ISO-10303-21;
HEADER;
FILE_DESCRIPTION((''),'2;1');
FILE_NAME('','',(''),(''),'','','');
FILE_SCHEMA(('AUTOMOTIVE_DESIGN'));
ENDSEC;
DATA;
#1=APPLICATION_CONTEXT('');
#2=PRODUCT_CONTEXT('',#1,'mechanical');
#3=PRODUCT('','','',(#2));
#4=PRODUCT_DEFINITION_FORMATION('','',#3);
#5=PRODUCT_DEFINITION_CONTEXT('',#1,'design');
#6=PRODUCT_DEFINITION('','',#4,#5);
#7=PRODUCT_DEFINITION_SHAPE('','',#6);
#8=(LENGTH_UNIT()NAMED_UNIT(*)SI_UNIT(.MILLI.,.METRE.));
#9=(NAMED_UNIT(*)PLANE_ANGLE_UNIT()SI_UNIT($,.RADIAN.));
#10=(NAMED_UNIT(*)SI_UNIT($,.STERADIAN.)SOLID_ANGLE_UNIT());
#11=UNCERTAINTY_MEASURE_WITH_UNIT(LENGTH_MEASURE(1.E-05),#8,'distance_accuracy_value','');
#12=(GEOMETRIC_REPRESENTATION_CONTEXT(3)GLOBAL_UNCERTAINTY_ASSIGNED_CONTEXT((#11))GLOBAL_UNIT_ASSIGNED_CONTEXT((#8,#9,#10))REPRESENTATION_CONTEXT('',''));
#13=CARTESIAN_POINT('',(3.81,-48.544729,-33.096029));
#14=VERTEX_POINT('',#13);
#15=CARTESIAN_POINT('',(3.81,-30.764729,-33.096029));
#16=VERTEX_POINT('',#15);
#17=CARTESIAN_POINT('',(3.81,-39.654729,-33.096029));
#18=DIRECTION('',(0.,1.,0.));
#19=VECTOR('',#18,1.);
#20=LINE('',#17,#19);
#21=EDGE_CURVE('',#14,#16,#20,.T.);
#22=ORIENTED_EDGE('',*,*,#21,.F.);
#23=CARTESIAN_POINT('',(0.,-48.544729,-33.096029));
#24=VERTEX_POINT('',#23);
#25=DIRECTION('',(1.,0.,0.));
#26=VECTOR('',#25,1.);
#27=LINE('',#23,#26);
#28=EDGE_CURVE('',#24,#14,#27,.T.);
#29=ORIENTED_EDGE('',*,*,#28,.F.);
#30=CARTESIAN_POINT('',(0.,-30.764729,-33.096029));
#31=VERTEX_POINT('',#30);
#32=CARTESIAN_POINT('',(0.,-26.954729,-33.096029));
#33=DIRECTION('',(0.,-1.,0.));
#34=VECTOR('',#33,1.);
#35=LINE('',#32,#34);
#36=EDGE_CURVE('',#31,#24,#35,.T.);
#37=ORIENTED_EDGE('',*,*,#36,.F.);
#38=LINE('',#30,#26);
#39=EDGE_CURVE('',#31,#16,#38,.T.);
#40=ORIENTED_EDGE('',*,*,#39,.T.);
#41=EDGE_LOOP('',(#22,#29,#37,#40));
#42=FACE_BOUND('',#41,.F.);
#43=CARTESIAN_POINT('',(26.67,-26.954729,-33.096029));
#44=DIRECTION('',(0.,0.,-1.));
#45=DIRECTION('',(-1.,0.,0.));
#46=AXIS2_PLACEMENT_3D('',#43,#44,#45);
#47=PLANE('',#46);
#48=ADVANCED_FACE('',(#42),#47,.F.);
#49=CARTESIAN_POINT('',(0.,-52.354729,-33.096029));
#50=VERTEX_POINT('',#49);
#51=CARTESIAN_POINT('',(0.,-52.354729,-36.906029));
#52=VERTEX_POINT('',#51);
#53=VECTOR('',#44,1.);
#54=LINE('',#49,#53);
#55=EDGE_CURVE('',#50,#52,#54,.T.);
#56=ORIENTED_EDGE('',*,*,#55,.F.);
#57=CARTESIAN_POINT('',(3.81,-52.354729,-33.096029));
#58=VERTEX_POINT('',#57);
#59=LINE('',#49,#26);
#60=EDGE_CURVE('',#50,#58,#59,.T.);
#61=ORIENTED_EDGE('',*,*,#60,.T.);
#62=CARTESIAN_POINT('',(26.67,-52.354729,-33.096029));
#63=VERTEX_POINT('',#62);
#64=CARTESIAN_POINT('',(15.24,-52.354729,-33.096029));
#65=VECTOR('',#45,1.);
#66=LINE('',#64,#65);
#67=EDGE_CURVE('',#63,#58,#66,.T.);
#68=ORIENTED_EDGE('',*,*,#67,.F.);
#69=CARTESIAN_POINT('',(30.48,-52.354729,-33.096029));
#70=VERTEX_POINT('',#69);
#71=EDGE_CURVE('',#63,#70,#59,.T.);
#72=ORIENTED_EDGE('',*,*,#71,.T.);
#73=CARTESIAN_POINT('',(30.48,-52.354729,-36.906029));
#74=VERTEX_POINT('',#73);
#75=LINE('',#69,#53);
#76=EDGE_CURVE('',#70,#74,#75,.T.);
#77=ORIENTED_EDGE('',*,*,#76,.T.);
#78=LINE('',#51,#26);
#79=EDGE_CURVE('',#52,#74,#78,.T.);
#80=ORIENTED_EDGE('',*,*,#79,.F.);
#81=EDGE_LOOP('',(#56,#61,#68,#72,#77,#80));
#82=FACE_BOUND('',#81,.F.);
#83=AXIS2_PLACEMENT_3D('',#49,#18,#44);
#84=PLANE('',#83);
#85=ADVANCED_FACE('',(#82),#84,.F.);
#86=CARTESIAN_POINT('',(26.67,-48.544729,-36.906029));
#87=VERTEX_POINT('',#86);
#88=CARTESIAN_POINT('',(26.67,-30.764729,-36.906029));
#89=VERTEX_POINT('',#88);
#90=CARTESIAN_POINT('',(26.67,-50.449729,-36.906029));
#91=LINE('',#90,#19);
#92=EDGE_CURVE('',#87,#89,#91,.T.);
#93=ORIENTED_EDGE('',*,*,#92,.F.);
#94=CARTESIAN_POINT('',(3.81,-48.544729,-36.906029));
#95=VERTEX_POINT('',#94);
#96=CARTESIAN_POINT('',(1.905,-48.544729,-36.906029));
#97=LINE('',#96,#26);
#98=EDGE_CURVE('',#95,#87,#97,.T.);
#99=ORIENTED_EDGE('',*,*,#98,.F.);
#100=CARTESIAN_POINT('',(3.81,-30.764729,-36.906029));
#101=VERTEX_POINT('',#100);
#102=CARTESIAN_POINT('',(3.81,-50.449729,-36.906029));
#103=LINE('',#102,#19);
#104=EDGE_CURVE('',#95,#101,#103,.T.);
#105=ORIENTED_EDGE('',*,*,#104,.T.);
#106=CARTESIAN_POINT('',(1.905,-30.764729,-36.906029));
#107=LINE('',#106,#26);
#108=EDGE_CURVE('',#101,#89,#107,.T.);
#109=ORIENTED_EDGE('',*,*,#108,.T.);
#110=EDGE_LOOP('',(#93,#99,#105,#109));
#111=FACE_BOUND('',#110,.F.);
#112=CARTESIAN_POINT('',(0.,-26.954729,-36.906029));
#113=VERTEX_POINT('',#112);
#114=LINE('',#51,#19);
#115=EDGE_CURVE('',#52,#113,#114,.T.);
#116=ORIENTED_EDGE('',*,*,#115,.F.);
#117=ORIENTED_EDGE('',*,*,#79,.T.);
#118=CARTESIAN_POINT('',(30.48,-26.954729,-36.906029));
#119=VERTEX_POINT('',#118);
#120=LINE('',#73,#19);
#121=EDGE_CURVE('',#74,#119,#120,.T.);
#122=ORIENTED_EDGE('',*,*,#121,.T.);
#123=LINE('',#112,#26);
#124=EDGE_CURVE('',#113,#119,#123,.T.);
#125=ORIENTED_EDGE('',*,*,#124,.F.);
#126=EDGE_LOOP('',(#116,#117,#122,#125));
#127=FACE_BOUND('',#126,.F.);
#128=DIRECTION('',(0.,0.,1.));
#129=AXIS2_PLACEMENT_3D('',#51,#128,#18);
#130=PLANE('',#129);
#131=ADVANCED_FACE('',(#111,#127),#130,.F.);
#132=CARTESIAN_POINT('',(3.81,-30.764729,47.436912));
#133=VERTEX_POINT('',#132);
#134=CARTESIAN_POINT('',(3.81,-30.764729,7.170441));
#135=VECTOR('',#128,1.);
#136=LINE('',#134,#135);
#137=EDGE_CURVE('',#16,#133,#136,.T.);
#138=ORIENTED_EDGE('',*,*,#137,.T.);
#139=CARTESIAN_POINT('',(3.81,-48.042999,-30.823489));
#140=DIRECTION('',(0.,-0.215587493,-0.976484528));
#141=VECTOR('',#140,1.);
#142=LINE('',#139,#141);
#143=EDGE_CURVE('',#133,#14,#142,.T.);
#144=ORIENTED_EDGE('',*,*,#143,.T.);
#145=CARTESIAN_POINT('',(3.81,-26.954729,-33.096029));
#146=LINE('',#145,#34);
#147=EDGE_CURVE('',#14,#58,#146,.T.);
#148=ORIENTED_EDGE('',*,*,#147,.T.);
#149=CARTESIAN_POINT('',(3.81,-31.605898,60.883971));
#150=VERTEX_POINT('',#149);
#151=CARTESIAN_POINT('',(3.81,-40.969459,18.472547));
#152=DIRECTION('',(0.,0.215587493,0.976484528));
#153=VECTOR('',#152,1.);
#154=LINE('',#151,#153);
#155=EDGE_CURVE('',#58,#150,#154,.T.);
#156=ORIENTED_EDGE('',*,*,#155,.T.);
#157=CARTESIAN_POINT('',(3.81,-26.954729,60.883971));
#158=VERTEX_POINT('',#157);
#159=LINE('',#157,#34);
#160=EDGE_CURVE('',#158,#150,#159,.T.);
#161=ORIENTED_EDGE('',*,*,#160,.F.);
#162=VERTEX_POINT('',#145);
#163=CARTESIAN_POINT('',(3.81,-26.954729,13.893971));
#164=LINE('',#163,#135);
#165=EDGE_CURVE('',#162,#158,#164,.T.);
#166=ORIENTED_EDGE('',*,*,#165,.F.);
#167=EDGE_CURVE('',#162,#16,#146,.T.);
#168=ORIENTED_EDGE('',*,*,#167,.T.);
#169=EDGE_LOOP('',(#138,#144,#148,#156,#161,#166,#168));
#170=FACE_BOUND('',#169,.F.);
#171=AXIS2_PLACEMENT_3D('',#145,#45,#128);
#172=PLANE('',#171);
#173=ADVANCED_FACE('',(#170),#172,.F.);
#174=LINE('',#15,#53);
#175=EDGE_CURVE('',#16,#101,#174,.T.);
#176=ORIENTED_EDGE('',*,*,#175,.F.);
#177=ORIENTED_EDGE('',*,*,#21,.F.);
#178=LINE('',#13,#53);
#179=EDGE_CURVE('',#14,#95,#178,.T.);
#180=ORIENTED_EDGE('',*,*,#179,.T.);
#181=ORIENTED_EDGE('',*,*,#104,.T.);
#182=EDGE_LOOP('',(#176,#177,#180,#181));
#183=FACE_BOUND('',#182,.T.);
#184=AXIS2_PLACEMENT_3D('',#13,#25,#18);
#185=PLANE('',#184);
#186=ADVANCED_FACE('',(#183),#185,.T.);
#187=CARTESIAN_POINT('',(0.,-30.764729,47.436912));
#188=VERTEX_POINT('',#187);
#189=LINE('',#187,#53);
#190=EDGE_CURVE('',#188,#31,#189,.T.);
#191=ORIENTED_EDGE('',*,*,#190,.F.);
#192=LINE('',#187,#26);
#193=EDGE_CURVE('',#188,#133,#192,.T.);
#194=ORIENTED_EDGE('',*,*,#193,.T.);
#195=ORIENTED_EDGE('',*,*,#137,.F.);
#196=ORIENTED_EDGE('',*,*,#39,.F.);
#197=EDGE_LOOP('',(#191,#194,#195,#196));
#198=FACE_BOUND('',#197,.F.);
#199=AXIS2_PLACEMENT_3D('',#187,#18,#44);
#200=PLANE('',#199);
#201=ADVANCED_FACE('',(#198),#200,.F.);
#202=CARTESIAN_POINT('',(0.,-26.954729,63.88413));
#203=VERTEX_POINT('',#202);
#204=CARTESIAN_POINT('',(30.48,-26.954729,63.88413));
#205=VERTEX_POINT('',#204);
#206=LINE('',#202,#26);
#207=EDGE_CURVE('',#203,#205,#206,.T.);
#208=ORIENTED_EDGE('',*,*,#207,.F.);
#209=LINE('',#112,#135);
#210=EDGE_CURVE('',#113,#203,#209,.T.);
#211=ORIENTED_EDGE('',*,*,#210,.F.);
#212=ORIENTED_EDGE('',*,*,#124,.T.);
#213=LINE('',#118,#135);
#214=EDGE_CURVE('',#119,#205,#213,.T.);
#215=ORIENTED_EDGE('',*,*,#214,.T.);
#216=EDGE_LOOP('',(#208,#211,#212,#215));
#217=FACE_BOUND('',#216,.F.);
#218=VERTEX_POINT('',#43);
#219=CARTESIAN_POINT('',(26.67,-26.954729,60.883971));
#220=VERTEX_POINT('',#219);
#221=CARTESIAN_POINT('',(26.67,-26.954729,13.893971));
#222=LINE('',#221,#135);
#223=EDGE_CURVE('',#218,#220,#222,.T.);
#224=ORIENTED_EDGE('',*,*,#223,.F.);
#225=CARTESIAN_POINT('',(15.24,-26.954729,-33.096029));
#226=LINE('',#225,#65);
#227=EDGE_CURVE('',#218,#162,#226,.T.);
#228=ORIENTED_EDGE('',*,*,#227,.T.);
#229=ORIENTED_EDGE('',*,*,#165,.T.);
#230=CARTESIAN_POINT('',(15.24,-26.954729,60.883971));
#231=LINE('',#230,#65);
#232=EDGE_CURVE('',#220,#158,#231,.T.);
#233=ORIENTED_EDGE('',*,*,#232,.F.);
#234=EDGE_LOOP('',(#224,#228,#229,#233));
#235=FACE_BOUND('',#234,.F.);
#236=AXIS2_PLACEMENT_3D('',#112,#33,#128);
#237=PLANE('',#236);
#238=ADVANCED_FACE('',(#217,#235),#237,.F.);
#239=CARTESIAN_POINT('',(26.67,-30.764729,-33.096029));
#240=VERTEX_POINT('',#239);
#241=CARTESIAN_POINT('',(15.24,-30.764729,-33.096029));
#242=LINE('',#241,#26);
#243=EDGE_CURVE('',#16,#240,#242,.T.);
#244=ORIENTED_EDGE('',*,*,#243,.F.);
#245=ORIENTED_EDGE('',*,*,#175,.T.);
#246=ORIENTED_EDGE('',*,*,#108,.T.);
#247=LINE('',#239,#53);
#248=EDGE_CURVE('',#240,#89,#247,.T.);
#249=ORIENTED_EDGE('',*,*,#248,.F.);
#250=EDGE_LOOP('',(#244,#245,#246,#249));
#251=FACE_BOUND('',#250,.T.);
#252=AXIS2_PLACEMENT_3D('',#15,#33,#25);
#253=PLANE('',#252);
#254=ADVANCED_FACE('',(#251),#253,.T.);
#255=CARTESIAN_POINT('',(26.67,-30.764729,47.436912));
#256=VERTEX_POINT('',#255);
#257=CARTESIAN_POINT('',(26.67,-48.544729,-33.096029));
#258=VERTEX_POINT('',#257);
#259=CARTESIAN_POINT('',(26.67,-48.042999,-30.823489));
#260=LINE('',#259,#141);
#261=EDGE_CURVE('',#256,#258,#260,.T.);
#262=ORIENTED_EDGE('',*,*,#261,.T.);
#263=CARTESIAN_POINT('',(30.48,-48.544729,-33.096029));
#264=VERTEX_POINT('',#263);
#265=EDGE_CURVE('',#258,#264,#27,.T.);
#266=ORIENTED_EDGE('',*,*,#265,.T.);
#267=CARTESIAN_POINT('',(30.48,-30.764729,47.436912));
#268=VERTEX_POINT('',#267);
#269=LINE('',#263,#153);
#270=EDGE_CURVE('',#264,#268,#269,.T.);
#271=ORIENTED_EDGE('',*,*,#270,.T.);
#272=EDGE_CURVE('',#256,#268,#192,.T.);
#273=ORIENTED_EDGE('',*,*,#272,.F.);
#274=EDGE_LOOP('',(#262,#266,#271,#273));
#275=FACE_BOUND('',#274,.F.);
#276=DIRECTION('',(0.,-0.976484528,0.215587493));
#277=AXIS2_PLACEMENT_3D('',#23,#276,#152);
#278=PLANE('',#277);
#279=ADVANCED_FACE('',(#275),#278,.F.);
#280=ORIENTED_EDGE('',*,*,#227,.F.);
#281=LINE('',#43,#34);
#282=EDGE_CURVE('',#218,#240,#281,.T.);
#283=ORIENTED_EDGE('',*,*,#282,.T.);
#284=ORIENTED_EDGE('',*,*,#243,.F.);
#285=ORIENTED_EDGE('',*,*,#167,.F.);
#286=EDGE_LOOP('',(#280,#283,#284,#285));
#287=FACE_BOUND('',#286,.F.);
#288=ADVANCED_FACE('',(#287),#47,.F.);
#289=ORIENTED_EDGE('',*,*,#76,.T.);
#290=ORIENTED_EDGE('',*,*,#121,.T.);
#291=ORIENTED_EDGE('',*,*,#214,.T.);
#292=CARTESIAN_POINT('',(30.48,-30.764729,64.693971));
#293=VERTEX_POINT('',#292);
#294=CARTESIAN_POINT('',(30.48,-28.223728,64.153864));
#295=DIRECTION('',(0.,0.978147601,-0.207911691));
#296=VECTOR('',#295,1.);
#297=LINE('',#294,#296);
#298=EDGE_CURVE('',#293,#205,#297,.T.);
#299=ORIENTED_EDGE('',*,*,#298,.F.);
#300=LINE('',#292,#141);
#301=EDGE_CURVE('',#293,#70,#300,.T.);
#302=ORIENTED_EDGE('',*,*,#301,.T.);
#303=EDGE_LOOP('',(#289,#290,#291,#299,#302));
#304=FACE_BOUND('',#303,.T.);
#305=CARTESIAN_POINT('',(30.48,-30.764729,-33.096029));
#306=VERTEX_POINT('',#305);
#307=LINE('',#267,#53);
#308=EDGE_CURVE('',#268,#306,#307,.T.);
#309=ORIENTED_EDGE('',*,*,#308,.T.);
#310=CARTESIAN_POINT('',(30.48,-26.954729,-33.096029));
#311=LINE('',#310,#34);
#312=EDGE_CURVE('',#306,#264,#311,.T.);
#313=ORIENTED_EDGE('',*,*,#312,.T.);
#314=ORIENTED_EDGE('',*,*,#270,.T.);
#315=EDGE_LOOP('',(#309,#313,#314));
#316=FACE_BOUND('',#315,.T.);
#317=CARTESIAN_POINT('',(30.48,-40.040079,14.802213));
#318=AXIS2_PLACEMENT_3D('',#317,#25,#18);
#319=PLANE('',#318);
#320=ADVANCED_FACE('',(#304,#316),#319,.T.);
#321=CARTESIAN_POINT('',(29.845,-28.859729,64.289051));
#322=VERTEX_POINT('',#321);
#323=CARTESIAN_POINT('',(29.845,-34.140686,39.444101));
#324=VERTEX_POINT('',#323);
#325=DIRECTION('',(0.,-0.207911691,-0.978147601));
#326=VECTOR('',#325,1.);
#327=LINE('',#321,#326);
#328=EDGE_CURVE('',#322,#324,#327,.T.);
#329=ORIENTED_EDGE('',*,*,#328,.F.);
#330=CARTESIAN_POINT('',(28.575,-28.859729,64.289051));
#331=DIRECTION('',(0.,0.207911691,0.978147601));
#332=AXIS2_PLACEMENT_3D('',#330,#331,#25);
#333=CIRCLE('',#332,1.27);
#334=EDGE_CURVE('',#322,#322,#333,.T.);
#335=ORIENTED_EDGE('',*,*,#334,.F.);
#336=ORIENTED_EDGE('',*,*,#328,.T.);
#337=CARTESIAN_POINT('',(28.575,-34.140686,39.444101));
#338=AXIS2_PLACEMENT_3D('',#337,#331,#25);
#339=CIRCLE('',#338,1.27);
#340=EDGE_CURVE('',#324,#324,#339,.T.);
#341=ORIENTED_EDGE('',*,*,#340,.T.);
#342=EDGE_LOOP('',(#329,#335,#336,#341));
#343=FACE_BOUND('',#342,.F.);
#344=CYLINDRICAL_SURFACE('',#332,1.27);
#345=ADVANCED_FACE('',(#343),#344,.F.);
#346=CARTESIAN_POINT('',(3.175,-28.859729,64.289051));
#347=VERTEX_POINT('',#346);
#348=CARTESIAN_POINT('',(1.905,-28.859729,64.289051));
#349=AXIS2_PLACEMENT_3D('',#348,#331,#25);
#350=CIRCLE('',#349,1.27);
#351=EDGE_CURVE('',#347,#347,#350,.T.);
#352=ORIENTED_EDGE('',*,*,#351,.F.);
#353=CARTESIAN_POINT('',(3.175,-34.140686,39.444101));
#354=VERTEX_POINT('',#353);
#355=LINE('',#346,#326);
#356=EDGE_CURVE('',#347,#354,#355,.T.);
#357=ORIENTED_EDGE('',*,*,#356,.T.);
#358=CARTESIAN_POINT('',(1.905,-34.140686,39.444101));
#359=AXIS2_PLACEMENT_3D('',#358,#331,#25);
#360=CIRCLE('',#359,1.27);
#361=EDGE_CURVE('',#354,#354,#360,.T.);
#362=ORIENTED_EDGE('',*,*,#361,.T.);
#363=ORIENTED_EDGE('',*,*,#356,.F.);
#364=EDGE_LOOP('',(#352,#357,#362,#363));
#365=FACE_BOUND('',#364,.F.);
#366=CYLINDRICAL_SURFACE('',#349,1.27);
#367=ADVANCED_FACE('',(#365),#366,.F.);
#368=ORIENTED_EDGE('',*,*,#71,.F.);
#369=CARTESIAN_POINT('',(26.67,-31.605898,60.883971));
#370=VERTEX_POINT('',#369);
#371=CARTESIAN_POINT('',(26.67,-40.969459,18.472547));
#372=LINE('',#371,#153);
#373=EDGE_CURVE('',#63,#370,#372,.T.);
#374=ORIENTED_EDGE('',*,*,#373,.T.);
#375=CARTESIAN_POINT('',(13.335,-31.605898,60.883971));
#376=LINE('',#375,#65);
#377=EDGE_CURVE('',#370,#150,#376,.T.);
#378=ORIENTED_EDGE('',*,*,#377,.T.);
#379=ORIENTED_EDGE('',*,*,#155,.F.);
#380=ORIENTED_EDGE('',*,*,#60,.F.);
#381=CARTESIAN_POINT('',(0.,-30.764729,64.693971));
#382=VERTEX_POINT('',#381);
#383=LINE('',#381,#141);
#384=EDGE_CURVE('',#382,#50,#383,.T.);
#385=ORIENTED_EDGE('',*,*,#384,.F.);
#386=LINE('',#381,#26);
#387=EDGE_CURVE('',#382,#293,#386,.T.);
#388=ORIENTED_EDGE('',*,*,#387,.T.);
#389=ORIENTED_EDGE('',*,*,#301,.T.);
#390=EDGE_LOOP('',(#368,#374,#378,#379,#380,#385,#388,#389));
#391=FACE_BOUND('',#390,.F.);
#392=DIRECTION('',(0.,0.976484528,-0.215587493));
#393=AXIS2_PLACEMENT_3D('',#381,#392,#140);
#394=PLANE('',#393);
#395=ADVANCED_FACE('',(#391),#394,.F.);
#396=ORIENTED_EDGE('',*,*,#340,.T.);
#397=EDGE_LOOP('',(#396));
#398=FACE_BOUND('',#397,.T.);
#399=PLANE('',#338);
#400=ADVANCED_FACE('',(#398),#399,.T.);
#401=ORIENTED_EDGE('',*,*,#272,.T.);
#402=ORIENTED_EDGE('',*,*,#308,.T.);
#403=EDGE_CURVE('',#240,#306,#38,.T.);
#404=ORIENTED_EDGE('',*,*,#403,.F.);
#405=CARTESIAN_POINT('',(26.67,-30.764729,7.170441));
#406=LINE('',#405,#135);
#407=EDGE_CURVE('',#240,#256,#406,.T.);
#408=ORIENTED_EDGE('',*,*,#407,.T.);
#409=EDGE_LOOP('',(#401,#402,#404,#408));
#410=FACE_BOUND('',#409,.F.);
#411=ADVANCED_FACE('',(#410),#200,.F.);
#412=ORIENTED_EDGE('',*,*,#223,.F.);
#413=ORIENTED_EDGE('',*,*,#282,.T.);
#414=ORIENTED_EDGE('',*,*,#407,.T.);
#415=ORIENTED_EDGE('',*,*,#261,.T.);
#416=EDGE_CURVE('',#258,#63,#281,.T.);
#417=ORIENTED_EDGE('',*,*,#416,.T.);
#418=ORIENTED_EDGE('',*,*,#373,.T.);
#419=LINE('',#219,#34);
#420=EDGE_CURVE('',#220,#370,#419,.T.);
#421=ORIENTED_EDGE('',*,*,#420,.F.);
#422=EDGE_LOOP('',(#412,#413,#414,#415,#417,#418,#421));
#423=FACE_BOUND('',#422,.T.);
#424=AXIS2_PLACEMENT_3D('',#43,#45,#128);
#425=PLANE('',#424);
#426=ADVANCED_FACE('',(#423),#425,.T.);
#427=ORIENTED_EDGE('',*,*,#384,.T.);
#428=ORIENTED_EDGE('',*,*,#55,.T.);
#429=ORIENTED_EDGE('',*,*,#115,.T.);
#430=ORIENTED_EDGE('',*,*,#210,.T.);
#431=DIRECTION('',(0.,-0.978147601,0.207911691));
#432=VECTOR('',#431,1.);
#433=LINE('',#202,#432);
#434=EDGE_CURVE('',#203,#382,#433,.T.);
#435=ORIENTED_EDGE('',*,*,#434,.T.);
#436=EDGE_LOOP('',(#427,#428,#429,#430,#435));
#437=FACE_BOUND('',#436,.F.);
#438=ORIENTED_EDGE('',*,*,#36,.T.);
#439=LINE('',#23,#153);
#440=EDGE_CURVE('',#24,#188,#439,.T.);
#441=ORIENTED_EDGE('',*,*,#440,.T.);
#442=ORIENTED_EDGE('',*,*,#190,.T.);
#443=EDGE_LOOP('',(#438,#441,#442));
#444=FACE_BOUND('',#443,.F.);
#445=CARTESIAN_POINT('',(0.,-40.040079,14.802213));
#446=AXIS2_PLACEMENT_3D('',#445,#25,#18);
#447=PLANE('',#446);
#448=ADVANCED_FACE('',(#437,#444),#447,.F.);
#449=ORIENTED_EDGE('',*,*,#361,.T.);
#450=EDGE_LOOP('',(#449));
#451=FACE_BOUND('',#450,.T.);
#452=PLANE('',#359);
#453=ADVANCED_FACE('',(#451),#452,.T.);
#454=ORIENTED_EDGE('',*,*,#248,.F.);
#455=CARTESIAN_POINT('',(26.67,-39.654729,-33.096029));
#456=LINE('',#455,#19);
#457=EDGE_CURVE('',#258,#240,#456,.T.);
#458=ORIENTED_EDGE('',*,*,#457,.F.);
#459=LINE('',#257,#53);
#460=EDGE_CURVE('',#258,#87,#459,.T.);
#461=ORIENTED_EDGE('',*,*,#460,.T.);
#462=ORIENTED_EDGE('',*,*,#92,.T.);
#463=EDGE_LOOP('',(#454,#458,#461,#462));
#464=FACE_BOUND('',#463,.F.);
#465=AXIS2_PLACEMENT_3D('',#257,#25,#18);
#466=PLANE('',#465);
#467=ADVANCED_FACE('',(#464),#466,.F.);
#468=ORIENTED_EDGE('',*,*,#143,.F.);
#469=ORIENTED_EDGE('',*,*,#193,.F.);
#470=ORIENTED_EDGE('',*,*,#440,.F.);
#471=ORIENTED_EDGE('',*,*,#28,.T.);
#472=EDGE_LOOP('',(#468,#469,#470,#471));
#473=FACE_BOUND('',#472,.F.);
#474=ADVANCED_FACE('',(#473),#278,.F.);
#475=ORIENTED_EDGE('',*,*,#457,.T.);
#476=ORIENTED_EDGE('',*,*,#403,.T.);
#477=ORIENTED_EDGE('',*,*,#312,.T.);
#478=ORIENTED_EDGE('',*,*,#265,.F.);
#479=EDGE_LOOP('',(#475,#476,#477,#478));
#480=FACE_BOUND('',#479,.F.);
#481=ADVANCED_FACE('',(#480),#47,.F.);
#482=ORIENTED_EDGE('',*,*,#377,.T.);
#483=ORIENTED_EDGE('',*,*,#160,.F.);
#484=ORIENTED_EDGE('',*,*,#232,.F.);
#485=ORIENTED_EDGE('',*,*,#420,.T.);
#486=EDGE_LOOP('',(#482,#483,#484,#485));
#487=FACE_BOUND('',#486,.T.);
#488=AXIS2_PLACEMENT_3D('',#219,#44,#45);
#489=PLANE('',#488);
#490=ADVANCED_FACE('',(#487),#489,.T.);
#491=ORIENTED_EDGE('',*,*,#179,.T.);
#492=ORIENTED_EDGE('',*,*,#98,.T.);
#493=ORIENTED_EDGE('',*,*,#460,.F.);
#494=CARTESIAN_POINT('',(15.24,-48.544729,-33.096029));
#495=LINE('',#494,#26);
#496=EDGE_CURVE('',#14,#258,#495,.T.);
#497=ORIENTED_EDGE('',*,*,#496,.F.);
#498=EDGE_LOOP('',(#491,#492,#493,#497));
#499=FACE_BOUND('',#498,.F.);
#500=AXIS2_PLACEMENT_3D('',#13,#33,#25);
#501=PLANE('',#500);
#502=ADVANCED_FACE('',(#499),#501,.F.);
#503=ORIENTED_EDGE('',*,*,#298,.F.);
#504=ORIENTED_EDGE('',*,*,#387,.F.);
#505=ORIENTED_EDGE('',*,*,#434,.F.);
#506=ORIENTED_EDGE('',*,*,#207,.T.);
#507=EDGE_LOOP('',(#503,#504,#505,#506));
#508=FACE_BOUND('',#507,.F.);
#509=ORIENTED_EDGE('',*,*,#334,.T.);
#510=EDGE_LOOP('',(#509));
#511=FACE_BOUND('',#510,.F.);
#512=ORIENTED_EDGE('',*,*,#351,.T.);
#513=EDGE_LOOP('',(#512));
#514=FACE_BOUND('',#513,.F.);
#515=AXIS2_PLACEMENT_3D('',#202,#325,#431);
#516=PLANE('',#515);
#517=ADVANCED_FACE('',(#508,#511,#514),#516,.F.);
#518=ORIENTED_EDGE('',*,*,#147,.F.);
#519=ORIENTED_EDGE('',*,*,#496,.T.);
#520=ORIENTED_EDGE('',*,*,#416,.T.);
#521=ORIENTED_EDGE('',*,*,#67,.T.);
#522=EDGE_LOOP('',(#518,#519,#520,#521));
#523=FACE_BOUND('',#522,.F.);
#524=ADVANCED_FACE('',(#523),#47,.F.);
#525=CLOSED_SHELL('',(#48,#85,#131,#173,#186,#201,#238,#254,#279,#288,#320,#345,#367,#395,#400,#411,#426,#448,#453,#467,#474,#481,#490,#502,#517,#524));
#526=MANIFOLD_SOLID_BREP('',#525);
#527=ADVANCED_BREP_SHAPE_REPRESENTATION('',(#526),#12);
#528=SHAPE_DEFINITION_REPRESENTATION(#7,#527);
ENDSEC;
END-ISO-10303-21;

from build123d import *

# Parameters (mm, degrees)
F1_DEPTH = 30.48
F2_W     = 22.86
F2_H     = 93.98
F3_DEPTH = 25.4
F4_W     = 22.86
F4_H     = 17.78
F5_DEPTH = 25.4
F7_DEPTH = 50.8
F8_R     = 1.27
F9_DEPTH = 25.4


with BuildPart() as f1:
    # F0 (on Right) → F1 (new body)
    with BuildSketch(Plane.YZ):
        Polygon((-30.7647287846, 64.6939707769), (-52.3547287846, -33.0960292231), (-48.5447287846, -33.0960292231), (-30.7647287846, 47.4369119534), align=None)
        Polygon((-52.3547287846, -33.0960292231), (-52.3547287846, -36.9060292231), (-26.9547287846, -36.9060292231), (-26.9547287846, -33.0960292231), (-30.7647287846, -33.0960292231), (-48.5447287846, -33.0960292231), align=None)
        Polygon((-30.7647287846, -33.0960292231), (-26.9547287846, -33.0960292231), (-26.9547287846, 64.6939707769), (-30.7647287846, 47.4369119534), align=None)
        Polygon((-26.9547287846, 64.6939707769), (-30.7647287846, 64.6939707769), (-30.7647287846, 47.4369119534), align=None)
    extrude(amount=F1_DEPTH)

    # F2 (on face) → F3 (cut)
    with BuildSketch(Plane(origin=(0, -26.9547287846, 0), x_dir=(-1, 0, 0), z_dir=(0, 1, 0))):
        with Locations((-15.24, 13.8939707769)):
            Rectangle(F2_W, F2_H)
    extrude(amount=-F3_DEPTH, mode=Mode.SUBTRACT)

    # F4 (on face) → F5 (cut)
    with BuildSketch(Plane.XY.offset(-33.0960292231)):
        with Locations((15.24, -39.6547287846)):
            Rectangle(F4_W, F4_H)
    extrude(amount=-F5_DEPTH, mode=Mode.SUBTRACT)

    # F6 (on face) → F7 (cut)
    with BuildSketch(Plane(origin=(0, 0, 0), x_dir=(0, -1, 0), z_dir=(-1, 0, 0))):
        Polygon((26.9547287846, 63.8841302769), (30.7647287846, 64.6939707769), (26.9547287846, 64.6939707769), align=None)
    extrude(amount=-F7_DEPTH, mode=Mode.SUBTRACT)

    # F8 (on face) → F9 (cut)
    with BuildSketch(Plane(origin=(0, 11.8268289766, 55.640855703), x_dir=(1, 0, 0), z_dir=(0, 0.2079116908, 0.9781476007))):
        with Locations((28.575, -41.5955196646)):
            Circle(F8_R)
        with Locations((1.905, -41.5955196646)):
            Circle(F8_R)
    extrude(amount=-F9_DEPTH, mode=Mode.SUBTRACT)


solid = f1.part
